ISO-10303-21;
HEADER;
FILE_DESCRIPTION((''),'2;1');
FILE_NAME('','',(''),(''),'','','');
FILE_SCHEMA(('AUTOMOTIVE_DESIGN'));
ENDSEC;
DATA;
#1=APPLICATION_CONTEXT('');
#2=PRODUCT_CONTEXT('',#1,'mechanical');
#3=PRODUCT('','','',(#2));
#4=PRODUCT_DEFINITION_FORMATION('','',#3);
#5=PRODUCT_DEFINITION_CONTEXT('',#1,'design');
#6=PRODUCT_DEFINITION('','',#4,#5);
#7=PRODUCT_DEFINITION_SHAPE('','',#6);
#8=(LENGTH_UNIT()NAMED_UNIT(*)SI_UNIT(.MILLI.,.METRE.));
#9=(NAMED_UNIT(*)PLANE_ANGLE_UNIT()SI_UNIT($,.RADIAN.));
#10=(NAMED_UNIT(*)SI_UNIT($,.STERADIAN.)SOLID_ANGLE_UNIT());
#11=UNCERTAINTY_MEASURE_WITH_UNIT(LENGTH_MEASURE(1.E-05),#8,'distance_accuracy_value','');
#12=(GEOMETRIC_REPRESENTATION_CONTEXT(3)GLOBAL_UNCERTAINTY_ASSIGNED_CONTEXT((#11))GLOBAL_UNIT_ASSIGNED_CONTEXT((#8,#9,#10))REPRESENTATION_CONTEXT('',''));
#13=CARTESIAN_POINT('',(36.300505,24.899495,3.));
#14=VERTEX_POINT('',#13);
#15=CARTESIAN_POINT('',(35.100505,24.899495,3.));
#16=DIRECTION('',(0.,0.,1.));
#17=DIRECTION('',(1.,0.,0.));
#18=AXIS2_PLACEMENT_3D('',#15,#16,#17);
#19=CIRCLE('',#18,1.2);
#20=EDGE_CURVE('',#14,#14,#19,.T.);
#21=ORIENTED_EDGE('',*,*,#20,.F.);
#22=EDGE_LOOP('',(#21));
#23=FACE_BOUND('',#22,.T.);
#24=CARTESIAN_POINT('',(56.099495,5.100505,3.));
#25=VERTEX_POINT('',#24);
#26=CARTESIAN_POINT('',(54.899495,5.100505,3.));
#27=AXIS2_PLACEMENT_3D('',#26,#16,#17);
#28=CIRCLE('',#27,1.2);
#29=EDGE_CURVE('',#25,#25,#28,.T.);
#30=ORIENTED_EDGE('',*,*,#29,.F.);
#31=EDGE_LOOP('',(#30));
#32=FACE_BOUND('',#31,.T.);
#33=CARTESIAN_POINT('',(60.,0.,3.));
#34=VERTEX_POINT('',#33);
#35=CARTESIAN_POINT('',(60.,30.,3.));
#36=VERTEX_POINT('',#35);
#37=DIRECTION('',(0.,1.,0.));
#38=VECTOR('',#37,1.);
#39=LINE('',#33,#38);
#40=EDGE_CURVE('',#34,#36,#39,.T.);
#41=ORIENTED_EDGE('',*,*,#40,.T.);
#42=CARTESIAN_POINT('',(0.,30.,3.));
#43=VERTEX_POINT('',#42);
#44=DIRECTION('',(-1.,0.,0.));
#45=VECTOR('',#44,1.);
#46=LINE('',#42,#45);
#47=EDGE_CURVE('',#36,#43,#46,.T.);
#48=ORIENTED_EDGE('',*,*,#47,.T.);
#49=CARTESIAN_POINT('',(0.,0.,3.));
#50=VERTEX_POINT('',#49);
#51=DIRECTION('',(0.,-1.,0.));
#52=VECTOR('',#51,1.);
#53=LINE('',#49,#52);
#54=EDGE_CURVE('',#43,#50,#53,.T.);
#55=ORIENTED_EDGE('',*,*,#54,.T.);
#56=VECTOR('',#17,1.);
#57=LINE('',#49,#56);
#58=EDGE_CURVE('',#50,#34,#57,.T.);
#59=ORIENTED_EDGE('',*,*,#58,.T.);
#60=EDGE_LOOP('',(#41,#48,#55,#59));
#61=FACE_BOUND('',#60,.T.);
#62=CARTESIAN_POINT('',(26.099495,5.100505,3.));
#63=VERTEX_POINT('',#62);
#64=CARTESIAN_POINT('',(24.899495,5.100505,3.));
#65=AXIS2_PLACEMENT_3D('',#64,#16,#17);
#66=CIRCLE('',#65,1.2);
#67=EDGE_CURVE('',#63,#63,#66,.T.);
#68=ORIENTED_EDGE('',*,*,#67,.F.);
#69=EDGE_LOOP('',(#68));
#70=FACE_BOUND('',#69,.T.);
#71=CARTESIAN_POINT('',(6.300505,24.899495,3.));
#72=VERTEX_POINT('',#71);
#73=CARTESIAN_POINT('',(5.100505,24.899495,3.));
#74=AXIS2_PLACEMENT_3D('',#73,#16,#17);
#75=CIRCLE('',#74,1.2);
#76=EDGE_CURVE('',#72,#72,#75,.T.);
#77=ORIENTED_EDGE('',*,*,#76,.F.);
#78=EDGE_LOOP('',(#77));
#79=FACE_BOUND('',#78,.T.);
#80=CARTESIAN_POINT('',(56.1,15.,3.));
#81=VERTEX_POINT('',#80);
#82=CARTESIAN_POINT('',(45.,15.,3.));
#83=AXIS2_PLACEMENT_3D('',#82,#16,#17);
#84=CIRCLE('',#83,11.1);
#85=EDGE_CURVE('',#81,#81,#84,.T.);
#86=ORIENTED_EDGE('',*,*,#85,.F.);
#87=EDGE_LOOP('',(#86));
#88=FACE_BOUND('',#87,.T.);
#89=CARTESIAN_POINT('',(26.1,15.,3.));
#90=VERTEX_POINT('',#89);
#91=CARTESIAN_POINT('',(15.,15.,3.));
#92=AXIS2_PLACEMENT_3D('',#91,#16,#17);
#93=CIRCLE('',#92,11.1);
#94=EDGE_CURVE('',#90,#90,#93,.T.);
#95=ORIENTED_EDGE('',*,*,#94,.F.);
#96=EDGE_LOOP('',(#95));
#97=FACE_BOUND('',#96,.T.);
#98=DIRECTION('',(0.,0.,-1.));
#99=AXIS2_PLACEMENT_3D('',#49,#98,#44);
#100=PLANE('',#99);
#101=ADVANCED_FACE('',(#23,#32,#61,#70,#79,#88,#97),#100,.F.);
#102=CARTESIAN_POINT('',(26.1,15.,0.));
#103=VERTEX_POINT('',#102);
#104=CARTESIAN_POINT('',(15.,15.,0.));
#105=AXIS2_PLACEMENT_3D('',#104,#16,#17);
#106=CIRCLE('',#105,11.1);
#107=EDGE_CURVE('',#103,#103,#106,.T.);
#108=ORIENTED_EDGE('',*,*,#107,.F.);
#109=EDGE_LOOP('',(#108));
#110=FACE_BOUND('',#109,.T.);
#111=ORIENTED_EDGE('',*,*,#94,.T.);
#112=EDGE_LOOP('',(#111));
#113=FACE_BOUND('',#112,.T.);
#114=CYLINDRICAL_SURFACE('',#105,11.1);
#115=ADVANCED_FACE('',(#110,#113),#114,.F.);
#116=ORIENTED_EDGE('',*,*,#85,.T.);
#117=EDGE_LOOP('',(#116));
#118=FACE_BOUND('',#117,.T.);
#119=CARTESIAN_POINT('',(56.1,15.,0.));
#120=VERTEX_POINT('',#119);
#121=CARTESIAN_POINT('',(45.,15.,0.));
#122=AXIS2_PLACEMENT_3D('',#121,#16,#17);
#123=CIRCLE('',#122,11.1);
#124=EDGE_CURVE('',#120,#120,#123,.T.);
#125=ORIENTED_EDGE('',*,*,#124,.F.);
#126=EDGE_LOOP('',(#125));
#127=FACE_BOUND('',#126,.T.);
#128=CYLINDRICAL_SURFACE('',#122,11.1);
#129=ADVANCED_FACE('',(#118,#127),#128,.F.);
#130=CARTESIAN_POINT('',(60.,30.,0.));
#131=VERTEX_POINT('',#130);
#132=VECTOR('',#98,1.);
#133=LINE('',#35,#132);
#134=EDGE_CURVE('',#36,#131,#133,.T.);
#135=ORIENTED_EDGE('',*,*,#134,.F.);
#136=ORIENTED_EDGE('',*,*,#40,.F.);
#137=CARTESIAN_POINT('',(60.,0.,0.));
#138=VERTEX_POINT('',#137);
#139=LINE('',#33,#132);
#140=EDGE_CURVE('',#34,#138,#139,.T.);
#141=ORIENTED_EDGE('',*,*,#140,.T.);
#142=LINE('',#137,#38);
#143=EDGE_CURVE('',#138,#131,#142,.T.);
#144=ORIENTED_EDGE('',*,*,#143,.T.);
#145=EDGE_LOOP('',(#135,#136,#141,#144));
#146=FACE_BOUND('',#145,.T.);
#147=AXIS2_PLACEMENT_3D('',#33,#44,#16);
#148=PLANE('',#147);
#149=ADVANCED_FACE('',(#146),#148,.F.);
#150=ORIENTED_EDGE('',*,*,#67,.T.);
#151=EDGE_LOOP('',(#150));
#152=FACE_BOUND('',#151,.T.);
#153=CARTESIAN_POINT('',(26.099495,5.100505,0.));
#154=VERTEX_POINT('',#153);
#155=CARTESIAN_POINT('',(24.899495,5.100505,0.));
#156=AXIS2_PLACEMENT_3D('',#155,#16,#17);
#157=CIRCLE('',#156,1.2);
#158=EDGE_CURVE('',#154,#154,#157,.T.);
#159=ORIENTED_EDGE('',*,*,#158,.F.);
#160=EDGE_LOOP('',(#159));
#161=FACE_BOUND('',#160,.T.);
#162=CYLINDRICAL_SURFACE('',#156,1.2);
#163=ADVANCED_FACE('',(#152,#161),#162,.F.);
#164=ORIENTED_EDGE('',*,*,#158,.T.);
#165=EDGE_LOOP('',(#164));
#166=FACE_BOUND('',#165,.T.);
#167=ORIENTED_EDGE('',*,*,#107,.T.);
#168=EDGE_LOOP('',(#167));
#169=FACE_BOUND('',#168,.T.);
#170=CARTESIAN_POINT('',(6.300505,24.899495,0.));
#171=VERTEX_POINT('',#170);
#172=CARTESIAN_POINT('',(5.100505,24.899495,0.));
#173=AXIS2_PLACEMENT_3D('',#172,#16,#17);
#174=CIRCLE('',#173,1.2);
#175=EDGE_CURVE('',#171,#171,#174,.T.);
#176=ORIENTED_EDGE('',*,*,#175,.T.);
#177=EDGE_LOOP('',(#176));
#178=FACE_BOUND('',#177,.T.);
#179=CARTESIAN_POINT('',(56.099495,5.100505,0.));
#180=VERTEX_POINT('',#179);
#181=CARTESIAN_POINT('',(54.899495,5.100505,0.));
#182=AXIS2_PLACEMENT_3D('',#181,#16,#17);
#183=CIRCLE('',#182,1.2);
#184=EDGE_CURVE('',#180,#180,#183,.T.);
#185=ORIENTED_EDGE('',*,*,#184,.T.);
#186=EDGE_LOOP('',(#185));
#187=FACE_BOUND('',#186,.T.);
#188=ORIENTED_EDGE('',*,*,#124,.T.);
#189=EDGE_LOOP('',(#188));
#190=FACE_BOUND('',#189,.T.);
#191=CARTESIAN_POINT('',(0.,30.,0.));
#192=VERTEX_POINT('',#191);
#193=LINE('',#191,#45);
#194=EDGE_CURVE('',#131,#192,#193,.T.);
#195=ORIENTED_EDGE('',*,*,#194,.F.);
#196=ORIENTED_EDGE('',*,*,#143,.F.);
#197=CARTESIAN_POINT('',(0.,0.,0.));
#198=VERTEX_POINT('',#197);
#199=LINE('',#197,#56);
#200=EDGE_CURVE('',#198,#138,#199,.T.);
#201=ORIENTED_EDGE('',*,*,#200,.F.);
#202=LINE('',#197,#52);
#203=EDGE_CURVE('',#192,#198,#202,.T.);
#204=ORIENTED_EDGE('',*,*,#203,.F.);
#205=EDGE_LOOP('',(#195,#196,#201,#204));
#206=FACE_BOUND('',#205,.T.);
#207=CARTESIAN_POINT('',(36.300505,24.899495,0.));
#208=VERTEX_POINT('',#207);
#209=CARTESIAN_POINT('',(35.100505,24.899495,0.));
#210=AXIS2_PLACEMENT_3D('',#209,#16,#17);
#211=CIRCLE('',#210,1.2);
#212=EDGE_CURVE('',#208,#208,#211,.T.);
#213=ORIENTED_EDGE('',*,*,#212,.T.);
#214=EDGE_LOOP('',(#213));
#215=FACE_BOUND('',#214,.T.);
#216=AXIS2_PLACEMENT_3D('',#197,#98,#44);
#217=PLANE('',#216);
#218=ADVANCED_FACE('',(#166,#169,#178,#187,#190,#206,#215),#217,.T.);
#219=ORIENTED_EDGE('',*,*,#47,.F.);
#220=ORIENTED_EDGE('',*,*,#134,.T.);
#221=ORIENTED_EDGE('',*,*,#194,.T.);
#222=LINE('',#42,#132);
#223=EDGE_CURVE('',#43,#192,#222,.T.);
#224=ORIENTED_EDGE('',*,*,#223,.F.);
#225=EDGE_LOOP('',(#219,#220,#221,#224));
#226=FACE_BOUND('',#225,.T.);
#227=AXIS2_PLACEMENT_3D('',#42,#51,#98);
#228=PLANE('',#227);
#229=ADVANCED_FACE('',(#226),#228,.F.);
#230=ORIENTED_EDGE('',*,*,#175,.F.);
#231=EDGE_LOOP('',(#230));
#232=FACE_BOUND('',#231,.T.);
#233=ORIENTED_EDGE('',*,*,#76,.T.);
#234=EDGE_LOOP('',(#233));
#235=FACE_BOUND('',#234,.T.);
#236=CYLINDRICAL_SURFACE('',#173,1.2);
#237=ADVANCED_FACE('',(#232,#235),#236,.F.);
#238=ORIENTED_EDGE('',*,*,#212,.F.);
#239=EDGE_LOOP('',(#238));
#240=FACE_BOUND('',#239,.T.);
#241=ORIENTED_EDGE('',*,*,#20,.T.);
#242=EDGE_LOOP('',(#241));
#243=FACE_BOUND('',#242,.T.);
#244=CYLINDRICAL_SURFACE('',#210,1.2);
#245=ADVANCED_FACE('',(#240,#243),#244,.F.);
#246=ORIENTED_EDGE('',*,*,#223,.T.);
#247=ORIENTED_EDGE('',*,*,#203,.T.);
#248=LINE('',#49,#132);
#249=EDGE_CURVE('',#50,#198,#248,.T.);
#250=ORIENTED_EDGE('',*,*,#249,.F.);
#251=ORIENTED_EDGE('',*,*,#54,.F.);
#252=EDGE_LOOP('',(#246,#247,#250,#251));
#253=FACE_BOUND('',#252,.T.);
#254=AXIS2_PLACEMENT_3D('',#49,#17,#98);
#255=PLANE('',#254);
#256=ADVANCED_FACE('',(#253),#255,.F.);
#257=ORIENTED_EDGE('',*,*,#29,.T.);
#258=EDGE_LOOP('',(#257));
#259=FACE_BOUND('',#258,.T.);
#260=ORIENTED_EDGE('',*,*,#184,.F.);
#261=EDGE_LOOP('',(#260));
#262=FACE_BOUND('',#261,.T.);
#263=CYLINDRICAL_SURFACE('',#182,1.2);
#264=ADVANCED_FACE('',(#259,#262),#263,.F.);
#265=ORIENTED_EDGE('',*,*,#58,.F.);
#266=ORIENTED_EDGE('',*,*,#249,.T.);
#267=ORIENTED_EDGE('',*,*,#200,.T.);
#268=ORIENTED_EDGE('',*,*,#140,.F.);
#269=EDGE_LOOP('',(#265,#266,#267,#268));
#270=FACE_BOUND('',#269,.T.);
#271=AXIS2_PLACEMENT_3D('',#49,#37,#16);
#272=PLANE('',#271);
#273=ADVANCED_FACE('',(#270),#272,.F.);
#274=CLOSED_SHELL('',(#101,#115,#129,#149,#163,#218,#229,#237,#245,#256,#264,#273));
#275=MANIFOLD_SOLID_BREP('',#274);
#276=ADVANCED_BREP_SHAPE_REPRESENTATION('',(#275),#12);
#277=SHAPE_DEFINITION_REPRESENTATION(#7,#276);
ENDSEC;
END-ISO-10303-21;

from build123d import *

# Parameters (mm, degrees)
ESQUISSE1_W             = 60
ESQUISSE1_H             = 30
BOSS_EXTRU_1_DEPTH      = 3
ESQUISSE2_R             = 11.1
ESQUISSE2_R_2           = 1.2
ENL_V_MAT_EXTRU_1_DEPTH = 68.149087857


with BuildPart() as part:
    # Esquisse1 → Boss.-Extru.1 (new body)
    with BuildSketch(Plane.XY):
        with Locations((30, 15)):
            Rectangle(ESQUISSE1_W, ESQUISSE1_H)
    extrude(amount=BOSS_EXTRU_1_DEPTH)

    # Esquisse2 → Enlèv. mat.-Extru.1 (cut, through all)
    with BuildSketch(Plane.XY.offset(3)):
        with Locations((15, 15)):
            Circle(ESQUISSE2_R)
        with Locations((45, 15)):
            Circle(ESQUISSE2_R)
        with Locations((5.100505063, 24.899494937)):
            Circle(ESQUISSE2_R_2)
        with Locations((24.899494937, 5.100505063)):
            Circle(ESQUISSE2_R_2)
        with Locations((35.100505063, 24.899494937)):
            Circle(ESQUISSE2_R_2)
        with Locations((54.899494937, 5.100505063)):
            Circle(ESQUISSE2_R_2)
    extrude(amount=-ENL_V_MAT_EXTRU_1_DEPTH, mode=Mode.SUBTRACT)


solid = part.part
